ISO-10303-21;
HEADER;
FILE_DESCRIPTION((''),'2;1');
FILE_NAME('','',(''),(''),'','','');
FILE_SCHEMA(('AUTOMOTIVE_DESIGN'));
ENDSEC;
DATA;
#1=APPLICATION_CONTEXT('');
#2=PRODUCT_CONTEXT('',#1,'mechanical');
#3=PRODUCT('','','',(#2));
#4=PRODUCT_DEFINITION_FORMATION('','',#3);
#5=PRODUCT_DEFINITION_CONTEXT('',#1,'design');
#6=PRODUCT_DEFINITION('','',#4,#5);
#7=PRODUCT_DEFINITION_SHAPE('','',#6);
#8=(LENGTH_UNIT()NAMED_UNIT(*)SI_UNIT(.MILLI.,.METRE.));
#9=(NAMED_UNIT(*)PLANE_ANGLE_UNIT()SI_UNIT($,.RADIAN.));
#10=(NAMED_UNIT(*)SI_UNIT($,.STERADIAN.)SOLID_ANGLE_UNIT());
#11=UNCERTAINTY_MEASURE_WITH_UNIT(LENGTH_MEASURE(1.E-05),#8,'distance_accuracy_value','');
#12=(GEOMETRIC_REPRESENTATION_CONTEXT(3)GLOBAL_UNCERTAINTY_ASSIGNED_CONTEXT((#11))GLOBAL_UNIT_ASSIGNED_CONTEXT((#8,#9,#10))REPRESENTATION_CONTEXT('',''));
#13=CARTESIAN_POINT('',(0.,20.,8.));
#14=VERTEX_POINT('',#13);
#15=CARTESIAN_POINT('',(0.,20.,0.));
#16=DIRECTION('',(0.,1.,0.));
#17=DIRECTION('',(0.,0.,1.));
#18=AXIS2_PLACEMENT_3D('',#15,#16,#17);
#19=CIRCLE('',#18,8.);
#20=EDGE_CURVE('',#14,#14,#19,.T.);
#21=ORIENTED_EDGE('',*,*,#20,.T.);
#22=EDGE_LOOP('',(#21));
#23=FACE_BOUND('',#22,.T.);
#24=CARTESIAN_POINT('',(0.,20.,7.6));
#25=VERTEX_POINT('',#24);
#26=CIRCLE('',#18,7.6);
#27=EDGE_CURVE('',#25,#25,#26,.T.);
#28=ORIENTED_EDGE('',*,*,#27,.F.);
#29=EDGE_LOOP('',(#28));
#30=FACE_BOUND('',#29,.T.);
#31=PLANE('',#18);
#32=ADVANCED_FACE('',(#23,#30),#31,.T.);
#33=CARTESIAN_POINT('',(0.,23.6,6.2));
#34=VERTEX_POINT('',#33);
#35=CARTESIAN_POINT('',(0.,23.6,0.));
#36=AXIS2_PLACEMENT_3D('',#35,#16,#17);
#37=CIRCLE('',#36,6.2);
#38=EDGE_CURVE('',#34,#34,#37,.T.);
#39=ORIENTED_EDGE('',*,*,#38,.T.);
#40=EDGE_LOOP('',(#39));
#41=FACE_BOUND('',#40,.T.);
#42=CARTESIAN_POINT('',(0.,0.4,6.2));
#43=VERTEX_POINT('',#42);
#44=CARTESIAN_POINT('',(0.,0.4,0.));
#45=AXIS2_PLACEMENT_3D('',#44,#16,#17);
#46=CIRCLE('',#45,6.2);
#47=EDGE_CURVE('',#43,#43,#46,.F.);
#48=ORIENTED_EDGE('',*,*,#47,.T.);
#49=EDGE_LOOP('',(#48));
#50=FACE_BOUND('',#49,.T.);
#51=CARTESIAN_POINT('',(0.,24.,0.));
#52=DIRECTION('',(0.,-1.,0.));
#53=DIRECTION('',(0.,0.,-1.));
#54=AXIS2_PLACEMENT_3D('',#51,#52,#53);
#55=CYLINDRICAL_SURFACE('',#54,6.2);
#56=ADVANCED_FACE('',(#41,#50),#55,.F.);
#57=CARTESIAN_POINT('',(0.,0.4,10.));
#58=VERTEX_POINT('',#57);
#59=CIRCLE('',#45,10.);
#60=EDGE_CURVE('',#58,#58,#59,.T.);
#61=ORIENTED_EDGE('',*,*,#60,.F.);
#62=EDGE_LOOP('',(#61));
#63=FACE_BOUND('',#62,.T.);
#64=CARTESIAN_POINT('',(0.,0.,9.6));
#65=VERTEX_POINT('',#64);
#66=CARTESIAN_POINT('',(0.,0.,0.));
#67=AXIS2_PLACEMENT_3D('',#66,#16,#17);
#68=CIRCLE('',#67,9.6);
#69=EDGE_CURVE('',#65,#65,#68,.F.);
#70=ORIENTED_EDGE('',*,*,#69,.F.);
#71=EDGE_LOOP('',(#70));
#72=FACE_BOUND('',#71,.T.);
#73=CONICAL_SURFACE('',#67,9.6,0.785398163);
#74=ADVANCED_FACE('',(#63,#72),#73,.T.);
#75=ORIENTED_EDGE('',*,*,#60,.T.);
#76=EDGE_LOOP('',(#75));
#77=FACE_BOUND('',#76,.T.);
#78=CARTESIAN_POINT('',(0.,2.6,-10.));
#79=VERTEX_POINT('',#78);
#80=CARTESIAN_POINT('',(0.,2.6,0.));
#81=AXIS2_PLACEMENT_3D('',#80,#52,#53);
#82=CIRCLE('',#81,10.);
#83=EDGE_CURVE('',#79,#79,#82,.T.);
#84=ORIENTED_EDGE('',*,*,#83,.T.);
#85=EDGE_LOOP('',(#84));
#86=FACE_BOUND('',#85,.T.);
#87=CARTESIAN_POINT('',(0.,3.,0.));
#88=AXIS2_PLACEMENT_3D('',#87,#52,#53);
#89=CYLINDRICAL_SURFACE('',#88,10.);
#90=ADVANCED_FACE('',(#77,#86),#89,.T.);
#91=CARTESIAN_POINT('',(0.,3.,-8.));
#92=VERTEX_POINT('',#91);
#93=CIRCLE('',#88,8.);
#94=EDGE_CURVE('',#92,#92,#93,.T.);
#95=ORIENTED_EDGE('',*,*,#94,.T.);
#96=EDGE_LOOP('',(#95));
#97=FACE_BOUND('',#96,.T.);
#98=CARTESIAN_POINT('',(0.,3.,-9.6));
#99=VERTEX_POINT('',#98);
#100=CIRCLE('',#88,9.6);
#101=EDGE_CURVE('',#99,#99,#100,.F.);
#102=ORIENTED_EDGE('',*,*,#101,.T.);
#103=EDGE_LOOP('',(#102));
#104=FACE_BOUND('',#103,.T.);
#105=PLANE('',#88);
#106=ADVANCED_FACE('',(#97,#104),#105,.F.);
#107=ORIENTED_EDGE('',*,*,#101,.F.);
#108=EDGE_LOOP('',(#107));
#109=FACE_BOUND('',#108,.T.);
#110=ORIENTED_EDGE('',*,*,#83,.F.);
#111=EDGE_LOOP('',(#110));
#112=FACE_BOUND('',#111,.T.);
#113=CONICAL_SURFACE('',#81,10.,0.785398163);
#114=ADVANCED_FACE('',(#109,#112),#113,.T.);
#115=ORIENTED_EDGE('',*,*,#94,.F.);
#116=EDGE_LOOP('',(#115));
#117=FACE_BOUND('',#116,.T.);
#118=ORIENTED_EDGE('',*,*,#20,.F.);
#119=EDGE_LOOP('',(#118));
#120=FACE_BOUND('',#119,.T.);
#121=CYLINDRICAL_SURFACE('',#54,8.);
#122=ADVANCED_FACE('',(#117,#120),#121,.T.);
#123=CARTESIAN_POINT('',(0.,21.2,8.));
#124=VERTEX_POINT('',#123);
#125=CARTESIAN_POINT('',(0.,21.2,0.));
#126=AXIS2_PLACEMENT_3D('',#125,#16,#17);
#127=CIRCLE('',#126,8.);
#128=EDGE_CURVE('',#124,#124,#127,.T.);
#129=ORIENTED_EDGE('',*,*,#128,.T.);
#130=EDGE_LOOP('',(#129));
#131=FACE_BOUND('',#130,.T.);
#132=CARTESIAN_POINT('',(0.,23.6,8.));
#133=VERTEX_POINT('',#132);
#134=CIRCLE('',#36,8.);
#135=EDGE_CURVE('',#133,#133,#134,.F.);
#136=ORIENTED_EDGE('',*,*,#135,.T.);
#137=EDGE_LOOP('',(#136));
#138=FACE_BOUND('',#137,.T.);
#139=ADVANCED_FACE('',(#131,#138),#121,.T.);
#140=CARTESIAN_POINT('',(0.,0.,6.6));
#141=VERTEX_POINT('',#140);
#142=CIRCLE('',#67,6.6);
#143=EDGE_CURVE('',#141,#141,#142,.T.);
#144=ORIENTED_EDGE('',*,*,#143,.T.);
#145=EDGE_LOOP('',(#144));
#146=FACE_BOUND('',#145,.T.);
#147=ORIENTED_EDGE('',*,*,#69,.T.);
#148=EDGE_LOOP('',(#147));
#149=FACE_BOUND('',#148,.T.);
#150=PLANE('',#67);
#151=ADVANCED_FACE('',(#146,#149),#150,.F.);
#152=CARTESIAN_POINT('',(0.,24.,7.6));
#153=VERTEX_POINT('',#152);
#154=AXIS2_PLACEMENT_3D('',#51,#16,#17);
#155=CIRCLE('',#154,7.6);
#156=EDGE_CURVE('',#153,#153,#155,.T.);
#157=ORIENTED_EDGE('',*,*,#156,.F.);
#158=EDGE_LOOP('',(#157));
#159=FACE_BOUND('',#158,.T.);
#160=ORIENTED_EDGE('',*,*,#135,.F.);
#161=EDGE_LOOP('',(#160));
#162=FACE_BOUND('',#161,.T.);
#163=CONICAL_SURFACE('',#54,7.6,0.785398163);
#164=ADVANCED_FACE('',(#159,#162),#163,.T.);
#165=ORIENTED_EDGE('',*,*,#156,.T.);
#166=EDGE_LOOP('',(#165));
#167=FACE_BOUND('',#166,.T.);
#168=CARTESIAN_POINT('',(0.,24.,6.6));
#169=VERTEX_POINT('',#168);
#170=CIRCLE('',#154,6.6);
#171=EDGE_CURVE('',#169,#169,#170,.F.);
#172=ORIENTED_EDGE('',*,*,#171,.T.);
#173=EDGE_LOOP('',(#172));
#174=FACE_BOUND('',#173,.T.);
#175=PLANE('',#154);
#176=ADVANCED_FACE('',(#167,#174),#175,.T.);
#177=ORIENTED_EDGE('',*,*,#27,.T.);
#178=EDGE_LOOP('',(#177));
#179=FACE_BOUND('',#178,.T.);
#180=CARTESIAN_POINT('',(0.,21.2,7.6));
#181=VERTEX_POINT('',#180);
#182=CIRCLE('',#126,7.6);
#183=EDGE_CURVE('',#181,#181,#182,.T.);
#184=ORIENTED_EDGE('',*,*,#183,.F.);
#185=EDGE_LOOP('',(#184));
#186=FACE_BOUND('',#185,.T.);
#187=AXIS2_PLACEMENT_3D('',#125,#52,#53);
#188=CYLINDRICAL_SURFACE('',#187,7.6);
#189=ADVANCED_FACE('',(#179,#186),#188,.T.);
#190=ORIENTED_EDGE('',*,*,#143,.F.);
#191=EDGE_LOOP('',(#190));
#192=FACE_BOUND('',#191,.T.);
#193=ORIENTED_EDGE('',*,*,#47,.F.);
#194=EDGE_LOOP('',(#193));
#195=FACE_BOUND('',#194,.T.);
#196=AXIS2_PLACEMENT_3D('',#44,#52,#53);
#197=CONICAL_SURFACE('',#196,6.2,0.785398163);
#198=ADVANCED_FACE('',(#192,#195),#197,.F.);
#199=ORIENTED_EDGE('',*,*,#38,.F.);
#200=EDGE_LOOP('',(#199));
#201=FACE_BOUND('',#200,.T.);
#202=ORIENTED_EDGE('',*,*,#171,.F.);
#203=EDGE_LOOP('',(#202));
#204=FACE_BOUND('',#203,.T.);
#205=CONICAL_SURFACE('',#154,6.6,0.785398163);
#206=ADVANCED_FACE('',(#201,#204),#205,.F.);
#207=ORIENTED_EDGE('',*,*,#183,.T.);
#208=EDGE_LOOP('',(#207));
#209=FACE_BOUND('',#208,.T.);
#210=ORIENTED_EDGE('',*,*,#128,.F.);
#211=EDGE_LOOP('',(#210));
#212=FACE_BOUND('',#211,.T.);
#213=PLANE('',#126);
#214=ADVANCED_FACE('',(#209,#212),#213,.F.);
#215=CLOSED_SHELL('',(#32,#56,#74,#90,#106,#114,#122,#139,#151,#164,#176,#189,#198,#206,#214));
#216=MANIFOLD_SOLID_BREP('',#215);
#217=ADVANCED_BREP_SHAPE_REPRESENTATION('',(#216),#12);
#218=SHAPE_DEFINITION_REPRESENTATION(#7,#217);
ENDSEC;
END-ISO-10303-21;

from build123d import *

# Parameters (mm, degrees)
SKETCH1_R           = 8
BOSS_EXTRUDE1_DEPTH = 24
SKETCH2_R           = 10
BOSS_EXTRUDE2_DEPTH = 3
SKETCH4_R           = 8
SKETCH4_R_2         = 7.6
CUT_EXTRUDE1_DEPTH  = 1.2
SKETCH5_R           = 6.2
CUT_EXTRUDE2_DEPTH  = 25
CHAMFER1_SIZE       = 0.4
CHAMFER2_SIZE       = 0.4


with BuildPart() as part:
    # Sketch1 → Boss-Extrude1 (new body)
    with BuildSketch(Plane(origin=(0, 0, 0), x_dir=(1, 0, 0), z_dir=(0, 1, 0))):
        Circle(SKETCH1_R)
    extrude(amount=BOSS_EXTRUDE1_DEPTH)

    # Sketch2 → Boss-Extrude2 (add)
    with BuildSketch(Plane.XZ):
        Circle(SKETCH2_R)
    extrude(amount=-BOSS_EXTRUDE2_DEPTH)

    # Sketch4 → Cut-Extrude1 (cut)
    with BuildSketch(Plane(origin=(0, 20, 0), x_dir=(1, 0, 0), z_dir=(0, 1, 0))):
        Circle(SKETCH4_R)
        Circle(SKETCH4_R_2, mode=Mode.SUBTRACT)
    extrude(amount=CUT_EXTRUDE1_DEPTH, mode=Mode.SUBTRACT)

    # Sketch5 → Cut-Extrude2 (cut, through all)
    with BuildSketch(Plane.XZ):
        Circle(SKETCH5_R)
    extrude(amount=-CUT_EXTRUDE2_DEPTH, mode=Mode.SUBTRACT)

    # Chamfer1
    chamfer1_edges = [part.edges().sort_by_distance(p)[0] for p in [
        (-6.2, 24, 0),
        (-6.2, 0, 0),
    ]]
    chamfer(chamfer1_edges, length=CHAMFER1_SIZE)

    # Chamfer2
    chamfer2_edges = [part.edges().sort_by_distance(p)[0] for p in [
        (-8, 24, 0),
        (-10, 3, 0),
        (-10, 0, 0),
    ]]
    chamfer(chamfer2_edges, length=CHAMFER2_SIZE)


solid = part.part
